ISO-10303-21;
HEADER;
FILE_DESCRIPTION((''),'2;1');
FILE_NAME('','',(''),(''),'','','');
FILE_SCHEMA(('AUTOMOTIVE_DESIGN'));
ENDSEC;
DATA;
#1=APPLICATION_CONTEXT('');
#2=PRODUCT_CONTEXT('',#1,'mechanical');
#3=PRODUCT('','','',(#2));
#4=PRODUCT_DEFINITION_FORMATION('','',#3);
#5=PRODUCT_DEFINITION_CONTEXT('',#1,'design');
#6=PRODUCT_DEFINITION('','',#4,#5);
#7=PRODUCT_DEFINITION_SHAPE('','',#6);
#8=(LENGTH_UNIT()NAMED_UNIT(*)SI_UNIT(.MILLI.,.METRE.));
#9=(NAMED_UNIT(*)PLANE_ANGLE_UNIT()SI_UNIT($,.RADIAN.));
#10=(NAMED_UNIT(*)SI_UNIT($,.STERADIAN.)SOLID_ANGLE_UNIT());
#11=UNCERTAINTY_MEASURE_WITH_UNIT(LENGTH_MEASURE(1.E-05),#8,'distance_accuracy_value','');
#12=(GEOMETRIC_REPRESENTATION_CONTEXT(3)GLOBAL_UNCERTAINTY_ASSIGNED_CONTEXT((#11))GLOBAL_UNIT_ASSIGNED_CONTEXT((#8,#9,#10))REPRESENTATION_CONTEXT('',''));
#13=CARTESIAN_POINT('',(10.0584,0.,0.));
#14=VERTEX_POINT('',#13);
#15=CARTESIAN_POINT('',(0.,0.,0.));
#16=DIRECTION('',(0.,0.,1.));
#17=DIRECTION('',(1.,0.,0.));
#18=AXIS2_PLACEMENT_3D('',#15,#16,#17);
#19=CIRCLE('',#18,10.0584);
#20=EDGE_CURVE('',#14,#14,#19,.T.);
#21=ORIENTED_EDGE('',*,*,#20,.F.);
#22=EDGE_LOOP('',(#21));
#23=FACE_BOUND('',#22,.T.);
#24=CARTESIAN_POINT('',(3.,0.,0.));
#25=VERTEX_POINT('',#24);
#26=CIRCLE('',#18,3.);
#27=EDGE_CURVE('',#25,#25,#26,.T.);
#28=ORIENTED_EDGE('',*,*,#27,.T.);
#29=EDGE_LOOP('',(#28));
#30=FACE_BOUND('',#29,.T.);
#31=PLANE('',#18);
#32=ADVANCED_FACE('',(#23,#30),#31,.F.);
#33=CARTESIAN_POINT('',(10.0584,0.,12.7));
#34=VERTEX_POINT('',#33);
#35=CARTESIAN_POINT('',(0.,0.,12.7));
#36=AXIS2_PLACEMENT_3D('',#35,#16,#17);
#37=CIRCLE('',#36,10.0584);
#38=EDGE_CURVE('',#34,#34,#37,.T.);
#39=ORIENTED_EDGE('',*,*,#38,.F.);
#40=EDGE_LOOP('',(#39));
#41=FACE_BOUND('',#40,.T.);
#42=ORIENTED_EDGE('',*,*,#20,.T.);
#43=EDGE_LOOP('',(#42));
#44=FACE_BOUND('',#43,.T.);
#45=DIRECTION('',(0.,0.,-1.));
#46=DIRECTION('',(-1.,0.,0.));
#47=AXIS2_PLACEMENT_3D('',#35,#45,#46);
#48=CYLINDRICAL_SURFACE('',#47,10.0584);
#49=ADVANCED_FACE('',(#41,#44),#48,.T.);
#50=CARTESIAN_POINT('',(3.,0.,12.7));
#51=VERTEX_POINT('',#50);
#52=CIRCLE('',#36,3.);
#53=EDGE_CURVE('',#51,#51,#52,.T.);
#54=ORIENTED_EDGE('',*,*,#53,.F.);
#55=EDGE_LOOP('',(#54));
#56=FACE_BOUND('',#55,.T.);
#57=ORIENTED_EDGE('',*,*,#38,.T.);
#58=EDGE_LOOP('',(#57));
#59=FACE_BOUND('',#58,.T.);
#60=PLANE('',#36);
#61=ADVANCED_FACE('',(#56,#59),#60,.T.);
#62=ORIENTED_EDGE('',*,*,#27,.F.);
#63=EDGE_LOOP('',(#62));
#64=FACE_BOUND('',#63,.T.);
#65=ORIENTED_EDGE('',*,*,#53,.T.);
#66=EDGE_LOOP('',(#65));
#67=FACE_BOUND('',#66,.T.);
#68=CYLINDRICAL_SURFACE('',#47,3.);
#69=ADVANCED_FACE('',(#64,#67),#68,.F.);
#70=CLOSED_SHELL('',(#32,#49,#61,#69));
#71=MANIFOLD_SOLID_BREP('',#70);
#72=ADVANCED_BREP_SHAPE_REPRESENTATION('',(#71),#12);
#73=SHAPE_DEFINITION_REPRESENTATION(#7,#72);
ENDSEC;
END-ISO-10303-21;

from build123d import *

# Parameters (mm, degrees)
SKETCH1_R           = 10.0584
SKETCH1_R_2         = 3
BOSS_EXTRUDE1_DEPTH = 12.7


with BuildPart() as part:
    # Sketch1 → Boss-Extrude1 (new body)
    with BuildSketch(Plane.XY):
        Circle(SKETCH1_R)
        Circle(SKETCH1_R_2, mode=Mode.SUBTRACT)
    extrude(amount=BOSS_EXTRUDE1_DEPTH)


solid = part.part
